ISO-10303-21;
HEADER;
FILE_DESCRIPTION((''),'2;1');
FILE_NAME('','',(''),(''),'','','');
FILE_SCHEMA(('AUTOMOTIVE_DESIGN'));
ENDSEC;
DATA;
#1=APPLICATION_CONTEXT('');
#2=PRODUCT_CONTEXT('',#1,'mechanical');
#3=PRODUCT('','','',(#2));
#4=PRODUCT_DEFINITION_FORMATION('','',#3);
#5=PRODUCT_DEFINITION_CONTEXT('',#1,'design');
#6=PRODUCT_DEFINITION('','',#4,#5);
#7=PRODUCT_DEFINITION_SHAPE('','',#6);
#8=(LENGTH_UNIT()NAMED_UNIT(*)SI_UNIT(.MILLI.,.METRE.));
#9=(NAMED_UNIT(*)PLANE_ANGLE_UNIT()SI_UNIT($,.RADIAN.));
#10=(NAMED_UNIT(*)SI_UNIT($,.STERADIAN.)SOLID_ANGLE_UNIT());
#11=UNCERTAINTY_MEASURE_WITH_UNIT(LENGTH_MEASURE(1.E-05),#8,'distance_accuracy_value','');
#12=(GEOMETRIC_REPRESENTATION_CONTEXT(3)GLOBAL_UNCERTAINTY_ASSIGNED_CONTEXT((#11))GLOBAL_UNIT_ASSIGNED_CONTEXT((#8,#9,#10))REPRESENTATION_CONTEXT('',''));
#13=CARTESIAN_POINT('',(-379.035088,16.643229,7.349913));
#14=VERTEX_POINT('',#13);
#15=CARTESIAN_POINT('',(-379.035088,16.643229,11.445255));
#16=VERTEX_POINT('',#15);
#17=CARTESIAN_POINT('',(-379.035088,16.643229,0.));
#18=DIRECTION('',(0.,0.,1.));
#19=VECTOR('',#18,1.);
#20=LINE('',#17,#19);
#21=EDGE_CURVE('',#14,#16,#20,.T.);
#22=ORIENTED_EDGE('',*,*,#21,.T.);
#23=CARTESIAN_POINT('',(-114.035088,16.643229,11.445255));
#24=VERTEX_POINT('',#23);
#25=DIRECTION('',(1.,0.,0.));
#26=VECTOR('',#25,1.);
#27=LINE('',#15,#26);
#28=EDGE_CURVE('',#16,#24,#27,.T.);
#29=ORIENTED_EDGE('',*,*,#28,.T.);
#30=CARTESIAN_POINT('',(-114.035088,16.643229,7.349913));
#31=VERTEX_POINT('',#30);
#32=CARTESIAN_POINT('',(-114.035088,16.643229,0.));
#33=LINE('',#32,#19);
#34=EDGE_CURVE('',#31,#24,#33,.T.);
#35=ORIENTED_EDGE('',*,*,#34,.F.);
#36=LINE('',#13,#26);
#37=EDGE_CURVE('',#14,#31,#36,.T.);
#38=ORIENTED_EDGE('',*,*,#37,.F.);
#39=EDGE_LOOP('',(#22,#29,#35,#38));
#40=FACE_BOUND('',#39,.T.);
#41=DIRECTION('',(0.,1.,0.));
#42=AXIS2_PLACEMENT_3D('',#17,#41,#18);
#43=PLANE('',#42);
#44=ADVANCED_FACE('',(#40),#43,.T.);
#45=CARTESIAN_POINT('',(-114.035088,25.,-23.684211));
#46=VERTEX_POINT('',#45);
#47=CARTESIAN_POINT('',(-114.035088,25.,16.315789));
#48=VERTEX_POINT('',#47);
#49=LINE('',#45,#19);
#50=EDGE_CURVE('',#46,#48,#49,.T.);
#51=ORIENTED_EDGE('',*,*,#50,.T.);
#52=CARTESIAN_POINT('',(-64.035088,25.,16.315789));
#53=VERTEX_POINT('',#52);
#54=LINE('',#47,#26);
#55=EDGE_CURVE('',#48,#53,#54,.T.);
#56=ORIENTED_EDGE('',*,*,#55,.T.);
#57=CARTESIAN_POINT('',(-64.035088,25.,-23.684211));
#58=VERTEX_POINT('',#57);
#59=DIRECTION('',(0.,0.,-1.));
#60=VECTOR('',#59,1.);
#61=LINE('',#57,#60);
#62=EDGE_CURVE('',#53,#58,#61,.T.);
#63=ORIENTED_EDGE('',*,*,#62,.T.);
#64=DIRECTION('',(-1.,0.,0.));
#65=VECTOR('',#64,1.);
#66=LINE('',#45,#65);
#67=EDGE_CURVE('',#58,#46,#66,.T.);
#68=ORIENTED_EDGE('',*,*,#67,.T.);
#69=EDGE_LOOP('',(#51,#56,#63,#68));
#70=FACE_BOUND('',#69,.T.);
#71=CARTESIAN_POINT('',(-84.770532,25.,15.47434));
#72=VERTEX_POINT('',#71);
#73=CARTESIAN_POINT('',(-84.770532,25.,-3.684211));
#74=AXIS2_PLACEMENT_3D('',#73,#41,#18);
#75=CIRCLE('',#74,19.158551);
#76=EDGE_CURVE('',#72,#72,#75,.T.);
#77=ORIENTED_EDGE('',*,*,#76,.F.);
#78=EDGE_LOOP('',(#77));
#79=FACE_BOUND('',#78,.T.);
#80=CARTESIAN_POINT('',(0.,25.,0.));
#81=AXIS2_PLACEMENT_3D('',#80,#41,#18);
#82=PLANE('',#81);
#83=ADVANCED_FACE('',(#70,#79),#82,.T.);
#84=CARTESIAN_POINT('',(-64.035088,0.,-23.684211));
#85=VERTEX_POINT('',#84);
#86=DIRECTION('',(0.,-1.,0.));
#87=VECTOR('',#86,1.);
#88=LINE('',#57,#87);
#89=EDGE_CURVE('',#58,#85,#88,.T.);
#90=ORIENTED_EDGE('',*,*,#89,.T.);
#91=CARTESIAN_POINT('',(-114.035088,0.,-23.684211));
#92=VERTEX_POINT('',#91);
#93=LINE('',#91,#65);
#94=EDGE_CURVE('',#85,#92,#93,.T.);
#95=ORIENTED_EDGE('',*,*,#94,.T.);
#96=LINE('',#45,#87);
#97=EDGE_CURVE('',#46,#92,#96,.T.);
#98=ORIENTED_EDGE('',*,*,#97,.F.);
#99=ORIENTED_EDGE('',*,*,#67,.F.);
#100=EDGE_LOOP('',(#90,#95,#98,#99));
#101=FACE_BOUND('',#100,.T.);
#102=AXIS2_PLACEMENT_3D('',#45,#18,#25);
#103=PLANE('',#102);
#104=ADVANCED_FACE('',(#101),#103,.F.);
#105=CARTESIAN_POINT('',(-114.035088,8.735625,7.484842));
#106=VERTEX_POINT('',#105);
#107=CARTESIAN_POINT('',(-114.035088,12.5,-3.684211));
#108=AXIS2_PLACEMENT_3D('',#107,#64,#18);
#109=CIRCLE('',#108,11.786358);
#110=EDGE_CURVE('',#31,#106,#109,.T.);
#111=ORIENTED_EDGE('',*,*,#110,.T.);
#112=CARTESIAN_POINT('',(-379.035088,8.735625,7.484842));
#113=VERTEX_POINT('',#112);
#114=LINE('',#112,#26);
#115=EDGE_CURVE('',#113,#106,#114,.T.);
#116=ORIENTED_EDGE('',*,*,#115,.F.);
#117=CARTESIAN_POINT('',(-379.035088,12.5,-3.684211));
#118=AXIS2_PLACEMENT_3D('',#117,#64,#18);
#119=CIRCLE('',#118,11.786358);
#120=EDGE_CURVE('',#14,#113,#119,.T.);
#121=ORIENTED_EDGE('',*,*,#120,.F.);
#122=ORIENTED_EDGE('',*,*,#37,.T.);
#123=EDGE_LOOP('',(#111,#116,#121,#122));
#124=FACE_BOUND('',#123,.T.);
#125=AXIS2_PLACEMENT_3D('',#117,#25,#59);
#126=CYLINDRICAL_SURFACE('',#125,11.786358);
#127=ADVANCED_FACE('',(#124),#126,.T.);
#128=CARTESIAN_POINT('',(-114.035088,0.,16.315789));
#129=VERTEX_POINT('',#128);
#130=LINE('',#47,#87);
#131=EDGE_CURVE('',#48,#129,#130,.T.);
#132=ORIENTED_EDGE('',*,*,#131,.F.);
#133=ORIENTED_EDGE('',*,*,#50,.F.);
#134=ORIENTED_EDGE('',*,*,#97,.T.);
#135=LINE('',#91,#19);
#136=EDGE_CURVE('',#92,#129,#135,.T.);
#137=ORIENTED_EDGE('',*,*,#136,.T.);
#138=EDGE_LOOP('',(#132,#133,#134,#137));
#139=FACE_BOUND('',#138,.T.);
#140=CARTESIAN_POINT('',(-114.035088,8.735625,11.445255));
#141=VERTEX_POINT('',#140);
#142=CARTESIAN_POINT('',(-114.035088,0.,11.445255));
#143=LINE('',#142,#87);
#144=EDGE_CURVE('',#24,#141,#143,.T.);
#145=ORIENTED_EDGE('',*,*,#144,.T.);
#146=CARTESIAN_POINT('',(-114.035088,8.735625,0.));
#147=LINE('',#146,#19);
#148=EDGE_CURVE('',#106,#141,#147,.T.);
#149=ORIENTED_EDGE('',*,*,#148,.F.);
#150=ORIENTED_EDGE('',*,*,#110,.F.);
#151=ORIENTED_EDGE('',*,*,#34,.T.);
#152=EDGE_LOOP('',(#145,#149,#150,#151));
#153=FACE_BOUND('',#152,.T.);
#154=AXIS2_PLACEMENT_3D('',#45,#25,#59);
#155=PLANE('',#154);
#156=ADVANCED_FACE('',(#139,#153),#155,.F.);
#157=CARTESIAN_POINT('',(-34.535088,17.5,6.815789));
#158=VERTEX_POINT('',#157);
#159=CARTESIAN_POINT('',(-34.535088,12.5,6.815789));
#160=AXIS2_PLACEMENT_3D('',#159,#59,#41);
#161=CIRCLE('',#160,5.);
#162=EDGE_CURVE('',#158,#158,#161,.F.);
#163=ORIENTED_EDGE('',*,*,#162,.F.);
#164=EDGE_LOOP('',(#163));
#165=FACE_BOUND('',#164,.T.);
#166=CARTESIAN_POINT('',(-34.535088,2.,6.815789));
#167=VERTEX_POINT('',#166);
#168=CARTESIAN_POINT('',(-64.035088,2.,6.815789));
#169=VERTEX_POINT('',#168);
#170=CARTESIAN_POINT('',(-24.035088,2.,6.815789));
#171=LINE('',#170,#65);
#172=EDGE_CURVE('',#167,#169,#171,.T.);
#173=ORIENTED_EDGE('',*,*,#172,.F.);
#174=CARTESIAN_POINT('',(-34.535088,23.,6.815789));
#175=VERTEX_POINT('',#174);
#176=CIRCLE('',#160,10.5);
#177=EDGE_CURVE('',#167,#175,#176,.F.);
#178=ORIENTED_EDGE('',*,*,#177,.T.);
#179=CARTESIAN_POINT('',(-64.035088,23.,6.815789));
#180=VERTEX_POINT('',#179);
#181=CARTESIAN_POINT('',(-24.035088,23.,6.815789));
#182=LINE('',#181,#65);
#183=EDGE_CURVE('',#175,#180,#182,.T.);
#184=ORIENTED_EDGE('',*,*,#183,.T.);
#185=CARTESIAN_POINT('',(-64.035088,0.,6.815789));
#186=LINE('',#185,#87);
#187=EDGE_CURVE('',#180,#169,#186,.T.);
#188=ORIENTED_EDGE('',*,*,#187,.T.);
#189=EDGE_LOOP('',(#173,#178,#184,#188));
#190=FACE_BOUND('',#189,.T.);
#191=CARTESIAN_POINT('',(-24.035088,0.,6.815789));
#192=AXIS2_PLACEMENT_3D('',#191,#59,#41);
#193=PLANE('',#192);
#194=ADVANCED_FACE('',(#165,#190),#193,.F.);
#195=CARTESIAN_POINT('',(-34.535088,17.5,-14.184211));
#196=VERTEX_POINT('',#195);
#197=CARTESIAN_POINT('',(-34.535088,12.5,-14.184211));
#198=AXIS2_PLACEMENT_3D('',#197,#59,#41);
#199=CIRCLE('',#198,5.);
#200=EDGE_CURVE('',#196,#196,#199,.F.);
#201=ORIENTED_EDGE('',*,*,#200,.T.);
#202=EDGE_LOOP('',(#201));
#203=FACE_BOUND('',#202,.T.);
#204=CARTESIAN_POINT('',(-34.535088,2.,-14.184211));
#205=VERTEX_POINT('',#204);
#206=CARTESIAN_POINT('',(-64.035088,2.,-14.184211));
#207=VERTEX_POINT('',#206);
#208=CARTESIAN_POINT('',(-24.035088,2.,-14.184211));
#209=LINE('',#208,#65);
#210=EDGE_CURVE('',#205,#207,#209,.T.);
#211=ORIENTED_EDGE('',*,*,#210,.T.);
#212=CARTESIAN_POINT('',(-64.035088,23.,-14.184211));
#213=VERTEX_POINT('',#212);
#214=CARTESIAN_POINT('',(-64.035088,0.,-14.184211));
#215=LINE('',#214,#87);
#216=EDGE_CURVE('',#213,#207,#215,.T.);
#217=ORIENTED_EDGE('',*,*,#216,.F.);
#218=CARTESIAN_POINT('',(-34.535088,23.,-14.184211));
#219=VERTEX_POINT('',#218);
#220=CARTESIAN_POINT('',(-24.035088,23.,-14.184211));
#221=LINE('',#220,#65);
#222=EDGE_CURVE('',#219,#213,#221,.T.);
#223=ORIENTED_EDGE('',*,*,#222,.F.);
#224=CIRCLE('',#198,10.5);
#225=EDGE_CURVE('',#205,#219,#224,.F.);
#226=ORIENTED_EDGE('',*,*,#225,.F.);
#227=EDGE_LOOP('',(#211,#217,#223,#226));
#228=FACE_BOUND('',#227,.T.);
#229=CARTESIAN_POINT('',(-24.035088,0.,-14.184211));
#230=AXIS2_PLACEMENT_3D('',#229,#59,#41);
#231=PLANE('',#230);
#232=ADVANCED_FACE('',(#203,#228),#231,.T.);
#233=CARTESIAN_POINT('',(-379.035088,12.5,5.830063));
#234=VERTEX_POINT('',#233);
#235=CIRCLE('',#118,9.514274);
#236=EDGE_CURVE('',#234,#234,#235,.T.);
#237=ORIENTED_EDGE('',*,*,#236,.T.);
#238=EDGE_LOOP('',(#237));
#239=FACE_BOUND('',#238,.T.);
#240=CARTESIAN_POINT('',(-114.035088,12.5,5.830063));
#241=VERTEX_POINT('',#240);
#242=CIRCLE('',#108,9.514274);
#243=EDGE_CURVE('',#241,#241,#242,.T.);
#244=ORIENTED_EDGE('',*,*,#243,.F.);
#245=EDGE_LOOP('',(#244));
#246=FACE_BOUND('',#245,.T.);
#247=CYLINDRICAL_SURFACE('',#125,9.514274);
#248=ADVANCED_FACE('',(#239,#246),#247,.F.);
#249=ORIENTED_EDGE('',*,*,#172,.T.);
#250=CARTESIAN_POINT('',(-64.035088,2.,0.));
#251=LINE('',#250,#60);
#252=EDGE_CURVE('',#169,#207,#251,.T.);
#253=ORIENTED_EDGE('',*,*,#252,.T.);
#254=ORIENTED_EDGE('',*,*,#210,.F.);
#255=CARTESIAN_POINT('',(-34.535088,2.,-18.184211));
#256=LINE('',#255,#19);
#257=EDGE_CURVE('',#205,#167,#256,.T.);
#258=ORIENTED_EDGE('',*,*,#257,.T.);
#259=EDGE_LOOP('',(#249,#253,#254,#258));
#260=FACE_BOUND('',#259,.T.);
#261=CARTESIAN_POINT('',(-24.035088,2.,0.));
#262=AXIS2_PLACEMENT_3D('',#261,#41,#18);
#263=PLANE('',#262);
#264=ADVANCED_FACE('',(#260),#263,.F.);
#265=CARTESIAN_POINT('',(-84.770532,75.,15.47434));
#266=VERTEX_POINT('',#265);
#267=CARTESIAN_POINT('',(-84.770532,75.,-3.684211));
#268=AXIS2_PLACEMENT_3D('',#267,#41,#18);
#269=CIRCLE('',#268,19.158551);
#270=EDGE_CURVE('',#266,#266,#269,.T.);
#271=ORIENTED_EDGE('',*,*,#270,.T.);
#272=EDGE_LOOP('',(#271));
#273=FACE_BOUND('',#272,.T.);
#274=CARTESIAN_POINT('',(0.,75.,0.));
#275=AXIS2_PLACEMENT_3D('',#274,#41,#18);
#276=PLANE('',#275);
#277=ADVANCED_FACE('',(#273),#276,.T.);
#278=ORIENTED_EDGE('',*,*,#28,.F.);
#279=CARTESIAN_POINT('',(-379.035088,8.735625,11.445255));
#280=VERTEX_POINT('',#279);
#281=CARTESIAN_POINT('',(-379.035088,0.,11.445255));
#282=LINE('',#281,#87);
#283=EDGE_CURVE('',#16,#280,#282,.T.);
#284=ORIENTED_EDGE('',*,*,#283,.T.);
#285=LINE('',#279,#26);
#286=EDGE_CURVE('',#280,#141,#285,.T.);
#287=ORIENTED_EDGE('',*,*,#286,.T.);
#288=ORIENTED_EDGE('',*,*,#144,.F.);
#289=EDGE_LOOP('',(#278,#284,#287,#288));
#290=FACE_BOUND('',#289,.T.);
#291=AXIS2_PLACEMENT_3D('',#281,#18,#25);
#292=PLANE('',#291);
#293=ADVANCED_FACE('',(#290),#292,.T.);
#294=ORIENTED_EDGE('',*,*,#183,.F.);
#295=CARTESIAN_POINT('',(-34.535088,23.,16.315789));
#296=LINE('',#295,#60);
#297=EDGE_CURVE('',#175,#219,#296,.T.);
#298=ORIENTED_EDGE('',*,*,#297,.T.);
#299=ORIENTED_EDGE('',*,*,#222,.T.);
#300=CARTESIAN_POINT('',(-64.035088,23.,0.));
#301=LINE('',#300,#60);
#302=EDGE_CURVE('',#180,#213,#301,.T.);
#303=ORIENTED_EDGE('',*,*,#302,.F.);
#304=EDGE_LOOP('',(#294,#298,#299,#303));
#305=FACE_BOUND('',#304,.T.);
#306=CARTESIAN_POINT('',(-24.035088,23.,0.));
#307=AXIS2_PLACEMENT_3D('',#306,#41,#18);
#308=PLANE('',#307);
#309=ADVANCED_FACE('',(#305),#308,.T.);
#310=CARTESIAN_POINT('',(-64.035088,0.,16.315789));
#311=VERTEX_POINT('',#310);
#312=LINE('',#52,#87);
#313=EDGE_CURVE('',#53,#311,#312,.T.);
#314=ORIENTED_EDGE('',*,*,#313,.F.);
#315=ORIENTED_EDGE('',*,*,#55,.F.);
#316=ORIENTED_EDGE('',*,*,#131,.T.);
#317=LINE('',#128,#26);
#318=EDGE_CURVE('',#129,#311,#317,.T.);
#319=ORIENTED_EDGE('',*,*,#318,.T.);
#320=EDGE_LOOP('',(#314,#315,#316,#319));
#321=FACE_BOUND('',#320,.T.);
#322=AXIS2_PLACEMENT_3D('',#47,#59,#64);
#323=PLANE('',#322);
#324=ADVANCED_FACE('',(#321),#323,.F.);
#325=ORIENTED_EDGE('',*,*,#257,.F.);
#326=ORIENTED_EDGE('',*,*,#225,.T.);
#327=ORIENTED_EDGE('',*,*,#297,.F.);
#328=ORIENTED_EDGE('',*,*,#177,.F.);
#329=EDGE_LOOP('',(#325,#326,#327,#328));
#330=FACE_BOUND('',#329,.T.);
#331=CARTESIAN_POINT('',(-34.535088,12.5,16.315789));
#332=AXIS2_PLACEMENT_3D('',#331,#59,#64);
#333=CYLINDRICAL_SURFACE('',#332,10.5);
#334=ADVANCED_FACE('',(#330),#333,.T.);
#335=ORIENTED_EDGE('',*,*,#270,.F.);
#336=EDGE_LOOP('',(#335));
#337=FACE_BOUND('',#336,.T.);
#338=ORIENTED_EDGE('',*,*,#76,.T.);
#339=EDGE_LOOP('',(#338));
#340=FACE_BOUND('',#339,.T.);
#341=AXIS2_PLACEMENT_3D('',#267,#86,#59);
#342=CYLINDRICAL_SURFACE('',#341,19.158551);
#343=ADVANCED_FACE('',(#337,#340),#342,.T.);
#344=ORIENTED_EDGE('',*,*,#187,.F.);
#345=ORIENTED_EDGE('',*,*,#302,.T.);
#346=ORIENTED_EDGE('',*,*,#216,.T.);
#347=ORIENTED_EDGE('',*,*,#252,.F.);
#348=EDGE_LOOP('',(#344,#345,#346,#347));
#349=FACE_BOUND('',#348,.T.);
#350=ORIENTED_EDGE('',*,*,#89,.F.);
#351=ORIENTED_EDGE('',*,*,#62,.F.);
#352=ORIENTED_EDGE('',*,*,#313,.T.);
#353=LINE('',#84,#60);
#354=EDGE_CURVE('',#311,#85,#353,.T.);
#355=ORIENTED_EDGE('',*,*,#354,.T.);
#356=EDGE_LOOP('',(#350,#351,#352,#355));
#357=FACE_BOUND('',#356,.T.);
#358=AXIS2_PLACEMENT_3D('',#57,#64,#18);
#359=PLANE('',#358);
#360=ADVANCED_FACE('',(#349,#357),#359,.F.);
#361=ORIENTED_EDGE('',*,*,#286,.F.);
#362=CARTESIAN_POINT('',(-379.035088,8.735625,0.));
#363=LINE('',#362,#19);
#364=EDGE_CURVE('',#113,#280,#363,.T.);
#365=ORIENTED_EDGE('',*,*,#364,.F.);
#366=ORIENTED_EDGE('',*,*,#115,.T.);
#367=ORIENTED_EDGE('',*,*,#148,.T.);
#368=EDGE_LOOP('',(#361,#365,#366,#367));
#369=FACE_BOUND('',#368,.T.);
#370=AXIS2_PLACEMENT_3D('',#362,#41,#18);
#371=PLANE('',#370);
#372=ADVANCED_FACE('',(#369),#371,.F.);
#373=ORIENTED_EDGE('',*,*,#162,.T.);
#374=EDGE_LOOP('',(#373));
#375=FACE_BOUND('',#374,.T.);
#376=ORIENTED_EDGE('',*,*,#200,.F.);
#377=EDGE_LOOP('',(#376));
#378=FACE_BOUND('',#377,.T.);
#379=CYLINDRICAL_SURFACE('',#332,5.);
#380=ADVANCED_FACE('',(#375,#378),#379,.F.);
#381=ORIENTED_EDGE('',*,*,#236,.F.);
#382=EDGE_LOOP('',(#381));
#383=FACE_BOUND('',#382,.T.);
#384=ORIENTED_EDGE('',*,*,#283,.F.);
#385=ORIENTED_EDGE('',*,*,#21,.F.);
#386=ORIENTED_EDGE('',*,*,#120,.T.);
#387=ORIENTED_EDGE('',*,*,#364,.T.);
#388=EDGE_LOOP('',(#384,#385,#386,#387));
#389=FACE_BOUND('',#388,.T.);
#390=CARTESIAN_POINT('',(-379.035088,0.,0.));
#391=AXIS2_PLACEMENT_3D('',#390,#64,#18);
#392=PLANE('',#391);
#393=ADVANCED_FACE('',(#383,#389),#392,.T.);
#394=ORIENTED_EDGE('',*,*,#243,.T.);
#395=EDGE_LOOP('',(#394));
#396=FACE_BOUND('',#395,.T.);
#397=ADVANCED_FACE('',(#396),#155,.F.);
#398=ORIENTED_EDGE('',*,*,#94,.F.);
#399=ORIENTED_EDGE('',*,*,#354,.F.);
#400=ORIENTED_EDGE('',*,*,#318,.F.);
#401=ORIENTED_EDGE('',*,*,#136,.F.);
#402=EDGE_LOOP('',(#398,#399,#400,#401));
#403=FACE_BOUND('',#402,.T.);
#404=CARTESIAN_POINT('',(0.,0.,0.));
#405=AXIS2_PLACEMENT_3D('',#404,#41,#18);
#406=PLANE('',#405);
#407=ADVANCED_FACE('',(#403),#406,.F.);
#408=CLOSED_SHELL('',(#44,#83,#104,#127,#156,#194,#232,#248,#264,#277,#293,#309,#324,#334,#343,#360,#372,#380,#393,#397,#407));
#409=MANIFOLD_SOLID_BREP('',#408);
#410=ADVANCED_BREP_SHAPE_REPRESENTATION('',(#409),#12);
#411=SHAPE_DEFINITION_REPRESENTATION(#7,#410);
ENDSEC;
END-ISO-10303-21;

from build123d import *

# Parameters (mm, degrees)
SKETCH1_W               = 50
SKETCH1_H               = 40
BOSS_EXTRUDE1_DEPTH     = 25
BOSS_EXTRUDE2_DEPTH     = 50
BOSS_EXTRUDE3_DEPTH     = 265
SKETCH4_W               = 10.5
SKETCH4_H               = 21
BOSS_EXTRUDE4_DEPTH     = 40
CUT_EXTRUDE3_DEPTH      = 388.585923019
CUT_EXTRUDE3_DEPTH_BACK = 25
SKETCH5_R               = 5


with BuildPart() as part:
    # Sketch1 → Boss-Extrude1 (new body)
    with BuildSketch(Plane(origin=(0, 0, 0), x_dir=(1, 0, 0), z_dir=(0, 1, 0))):
        with Locations((-89.035087719, 3.684210526)):
            Rectangle(SKETCH1_W, SKETCH1_H)
    extrude(amount=BOSS_EXTRUDE1_DEPTH)

    # Sketch2 → Boss-Extrude2 (add)
    with BuildSketch(Plane(origin=(0, 25, 0), x_dir=(1, 0, 0), z_dir=(0, 1, 0))):
        with BuildLine():
            ThreePointArc((-65.611981025, 3.684210526), (-71.223390651, 17.231351748), (-84.770531873, 22.842761374))
            Line((-84.770531873, 22.842761374), (-84.770531873, -15.474340321))
            ThreePointArc((-84.770531873, -15.474340321), (-71.223390651, -9.862930696), (-65.611981025, 3.684210526))
        make_face()
        with BuildLine():
            Line((-84.770531873, -15.474340321), (-84.770531873, 22.842761374))
            ThreePointArc((-84.770531873, 22.842761374), (-103.929082721, 3.684210526), (-84.770531873, -15.474340321))
        make_face()
    extrude(amount=BOSS_EXTRUDE2_DEPTH)

    # Sketch3 → Boss-Extrude3 (add)
    with BuildSketch(Plane.ZY.offset(114.035087719)):
        with BuildLine():
            Line((-3.684210526, 22.014273548), (-3.684210526, 24.28635832))
            ThreePointArc((-3.684210526, 24.28635832), (-15.470568846, 12.5), (-3.684210526, 0.71364168))
            Line((-3.684210526, 0.71364168), (-3.684210526, 2.985726452))
            ThreePointArc((-3.684210526, 2.985726452), (-13.198484074, 12.5), (-3.684210526, 22.014273548))
        make_face()
        with BuildLine():
            ThreePointArc((7.349913455, 16.643229465), (3.027147584, 22.188958394), (-3.684210526, 24.28635832))
            Line((-3.684210526, 24.28635832), (-3.684210526, 22.014273548))
            ThreePointArc((-3.684210526, 22.014273548), (3.043396817, 19.227607344), (5.830063022, 12.5))
            Line((5.830063022, 12.5), (5.830063022, 16.643229465))
            Line((5.830063022, 16.643229465), (7.349913455, 16.643229465))
        make_face()
        with BuildLine():
            ThreePointArc((8.102147793, 12.5), (7.912564487, 14.605481352), (7.349913455, 16.643229465))
            Line((7.349913455, 16.643229465), (5.830063022, 16.643229465))
            Line((5.830063022, 16.643229465), (5.830063022, 12.5))
            Line((5.830063022, 12.5), (5.830063022, 8.73562524))
            Line((5.830063022, 8.73562524), (7.484841587, 8.73562524))
            ThreePointArc((7.484841587, 8.73562524), (7.946797442, 10.592673056), (8.102147793, 12.5))
        make_face()
        with BuildLine():
            Line((-3.684210526, 2.985726452), (-3.684210526, 0.71364168))
            ThreePointArc((-3.684210526, 0.71364168), (3.191470264, 2.926951577), (7.484841587, 8.73562524))
            Line((7.484841587, 8.73562524), (5.830063022, 8.73562524))
            Line((5.830063022, 8.73562524), (5.830063022, 12.5))
            ThreePointArc((5.830063022, 12.5), (3.043396817, 5.772392656), (-3.684210526, 2.985726452))
        make_face()
        with BuildLine():
            Line((11.445254796, 16.643229465), (7.349913455, 16.643229465))
            ThreePointArc((7.349913455, 16.643229465), (7.912564487, 14.605481352), (8.102147793, 12.5))
            ThreePointArc((8.102147793, 12.5), (7.946797442, 10.592673056), (7.484841587, 8.73562524))
            Line((7.484841587, 8.73562524), (11.445254796, 8.73562524))
            Line((11.445254796, 8.73562524), (11.445254796, 16.643229465))
        make_face()
    extrude(amount=BOSS_EXTRUDE3_DEPTH)

    # Sketch4 → Boss-Extrude4 (add)
    with BuildSketch(Plane(origin=(-64.035087719, 0, 0), x_dir=(0, 0, -1), z_dir=(1, 0, 0))):
        with Locations((-1.565789474, 12.5)):
            Rectangle(SKETCH4_W, SKETCH4_H)
        with Locations((8.934210526, 12.5)):
            Rectangle(SKETCH4_W, SKETCH4_H)
    extrude(amount=BOSS_EXTRUDE4_DEPTH)

    # Sketch5 → Cut-Extrude3 (cut, two sides: drawn at the far end of the back side and taken through both)
    with BuildSketch(Plane.XY.offset(6.815789474).offset(-CUT_EXTRUDE3_DEPTH_BACK)):
        with BuildLine():
            Line((-24.035087719, 23), (-34.535087719, 23))
            ThreePointArc((-34.535087719, 23), (-27.110466517, 19.924621202), (-24.035087719, 12.5))
            Line((-24.035087719, 12.5), (-24.035087719, 23))
        make_face()
        with BuildLine():
            Line((-24.035087719, 2), (-24.035087719, 12.5))
            ThreePointArc((-24.035087719, 12.5), (-27.110466517, 5.075378798), (-34.535087719, 2))
            Line((-34.535087719, 2), (-24.035087719, 2))
        make_face()
        with Locations(Location((-34.535087719, 12.5, 0), (0, 0, 90))):
            Circle(SKETCH5_R)
    extrude(amount=CUT_EXTRUDE3_DEPTH + CUT_EXTRUDE3_DEPTH_BACK, mode=Mode.SUBTRACT)


solid = part.part
